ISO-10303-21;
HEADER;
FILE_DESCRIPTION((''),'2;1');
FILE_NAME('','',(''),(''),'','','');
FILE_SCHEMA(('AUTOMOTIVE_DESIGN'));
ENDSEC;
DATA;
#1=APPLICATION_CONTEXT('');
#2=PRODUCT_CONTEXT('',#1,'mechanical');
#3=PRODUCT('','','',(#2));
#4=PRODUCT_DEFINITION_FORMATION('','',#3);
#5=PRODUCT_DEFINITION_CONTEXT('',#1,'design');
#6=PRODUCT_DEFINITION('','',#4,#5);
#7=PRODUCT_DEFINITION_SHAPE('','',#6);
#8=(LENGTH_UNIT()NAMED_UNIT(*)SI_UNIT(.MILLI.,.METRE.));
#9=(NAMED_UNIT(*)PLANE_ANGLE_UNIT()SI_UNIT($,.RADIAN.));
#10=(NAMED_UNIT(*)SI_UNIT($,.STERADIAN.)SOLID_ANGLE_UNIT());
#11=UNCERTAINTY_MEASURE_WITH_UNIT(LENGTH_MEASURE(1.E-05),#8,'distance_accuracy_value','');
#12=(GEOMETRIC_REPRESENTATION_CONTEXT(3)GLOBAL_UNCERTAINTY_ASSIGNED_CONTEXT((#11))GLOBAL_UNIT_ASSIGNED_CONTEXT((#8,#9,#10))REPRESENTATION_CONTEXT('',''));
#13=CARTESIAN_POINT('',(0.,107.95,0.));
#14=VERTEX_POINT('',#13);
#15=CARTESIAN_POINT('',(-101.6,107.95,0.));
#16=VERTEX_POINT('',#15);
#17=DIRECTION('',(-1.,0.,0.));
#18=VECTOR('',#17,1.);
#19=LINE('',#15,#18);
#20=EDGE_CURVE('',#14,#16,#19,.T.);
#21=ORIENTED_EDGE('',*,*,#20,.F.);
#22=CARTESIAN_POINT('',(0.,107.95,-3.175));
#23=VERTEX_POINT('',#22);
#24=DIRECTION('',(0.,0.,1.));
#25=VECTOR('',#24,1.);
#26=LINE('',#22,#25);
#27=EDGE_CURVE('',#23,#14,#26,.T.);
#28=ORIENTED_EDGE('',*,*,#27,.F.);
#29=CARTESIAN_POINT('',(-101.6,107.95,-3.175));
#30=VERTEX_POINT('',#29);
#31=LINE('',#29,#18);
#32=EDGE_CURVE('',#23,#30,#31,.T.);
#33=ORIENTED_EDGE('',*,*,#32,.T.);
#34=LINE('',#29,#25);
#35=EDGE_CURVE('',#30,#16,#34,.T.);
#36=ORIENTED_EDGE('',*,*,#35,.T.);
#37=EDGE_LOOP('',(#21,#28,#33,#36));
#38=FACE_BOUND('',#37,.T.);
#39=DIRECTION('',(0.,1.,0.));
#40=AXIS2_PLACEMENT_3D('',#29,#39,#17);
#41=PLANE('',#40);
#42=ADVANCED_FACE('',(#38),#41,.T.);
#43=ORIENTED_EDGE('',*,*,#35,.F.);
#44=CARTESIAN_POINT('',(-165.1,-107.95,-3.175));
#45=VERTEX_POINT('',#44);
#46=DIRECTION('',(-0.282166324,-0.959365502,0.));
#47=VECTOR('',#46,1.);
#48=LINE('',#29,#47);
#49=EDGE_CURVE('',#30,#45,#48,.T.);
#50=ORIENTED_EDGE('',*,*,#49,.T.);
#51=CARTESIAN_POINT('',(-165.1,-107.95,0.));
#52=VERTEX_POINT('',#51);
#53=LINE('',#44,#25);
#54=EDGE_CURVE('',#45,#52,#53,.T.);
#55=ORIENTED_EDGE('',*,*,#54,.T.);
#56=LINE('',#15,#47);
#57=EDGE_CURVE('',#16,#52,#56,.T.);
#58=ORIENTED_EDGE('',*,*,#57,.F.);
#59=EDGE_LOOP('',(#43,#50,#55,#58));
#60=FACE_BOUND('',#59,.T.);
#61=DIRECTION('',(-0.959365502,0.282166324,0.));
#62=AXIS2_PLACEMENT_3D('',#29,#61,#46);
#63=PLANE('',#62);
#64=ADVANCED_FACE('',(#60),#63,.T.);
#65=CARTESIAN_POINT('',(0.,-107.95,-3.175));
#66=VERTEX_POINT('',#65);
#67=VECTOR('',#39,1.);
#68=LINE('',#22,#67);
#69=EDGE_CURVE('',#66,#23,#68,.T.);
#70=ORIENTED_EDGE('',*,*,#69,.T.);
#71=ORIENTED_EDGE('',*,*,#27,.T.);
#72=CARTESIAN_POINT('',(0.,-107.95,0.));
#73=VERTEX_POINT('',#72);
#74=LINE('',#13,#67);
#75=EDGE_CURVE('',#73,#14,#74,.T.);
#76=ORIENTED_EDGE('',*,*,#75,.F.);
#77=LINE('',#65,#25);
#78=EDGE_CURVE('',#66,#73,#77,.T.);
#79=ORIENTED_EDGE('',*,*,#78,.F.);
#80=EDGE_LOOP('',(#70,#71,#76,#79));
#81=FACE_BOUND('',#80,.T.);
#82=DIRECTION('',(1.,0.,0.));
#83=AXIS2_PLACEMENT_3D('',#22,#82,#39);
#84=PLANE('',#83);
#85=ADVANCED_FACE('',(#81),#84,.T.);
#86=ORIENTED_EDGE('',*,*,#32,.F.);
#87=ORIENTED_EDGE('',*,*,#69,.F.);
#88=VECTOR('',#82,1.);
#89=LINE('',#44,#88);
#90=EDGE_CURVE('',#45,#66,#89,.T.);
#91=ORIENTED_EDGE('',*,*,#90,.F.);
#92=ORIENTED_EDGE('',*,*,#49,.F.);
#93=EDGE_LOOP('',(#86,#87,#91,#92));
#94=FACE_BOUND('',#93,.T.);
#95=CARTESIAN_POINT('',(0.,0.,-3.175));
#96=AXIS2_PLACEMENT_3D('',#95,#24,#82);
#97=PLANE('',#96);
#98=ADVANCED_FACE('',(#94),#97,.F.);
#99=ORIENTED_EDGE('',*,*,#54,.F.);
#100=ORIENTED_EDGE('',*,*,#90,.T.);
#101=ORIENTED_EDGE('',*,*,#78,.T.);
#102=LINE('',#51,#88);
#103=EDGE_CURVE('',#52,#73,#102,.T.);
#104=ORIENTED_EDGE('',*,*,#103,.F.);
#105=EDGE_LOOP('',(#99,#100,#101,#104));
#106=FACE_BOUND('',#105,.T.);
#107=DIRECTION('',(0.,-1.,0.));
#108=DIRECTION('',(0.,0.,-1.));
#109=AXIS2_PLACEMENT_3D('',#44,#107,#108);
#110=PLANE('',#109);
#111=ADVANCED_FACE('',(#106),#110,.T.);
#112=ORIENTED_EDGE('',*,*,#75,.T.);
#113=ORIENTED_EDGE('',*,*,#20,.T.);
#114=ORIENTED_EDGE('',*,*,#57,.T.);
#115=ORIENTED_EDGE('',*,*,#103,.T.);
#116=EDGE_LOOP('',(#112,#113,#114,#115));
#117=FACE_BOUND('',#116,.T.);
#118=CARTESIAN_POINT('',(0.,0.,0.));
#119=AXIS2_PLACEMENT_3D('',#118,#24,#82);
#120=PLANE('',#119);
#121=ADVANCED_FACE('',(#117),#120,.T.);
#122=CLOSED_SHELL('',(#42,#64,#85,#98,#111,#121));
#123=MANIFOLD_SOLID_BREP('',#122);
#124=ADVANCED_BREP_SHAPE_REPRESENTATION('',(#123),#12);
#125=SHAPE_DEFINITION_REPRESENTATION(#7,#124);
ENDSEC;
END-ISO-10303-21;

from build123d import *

# Parameters (mm, degrees)
BOSS_EXTRUDE1_DEPTH = 3.175


with BuildPart() as part:
    # Sketch1 → Boss-Extrude1 (new body)
    with BuildSketch(Plane.XY):
        Polygon((-101.6, 107.95), (0, 107.95), (0, -107.95), (-165.1, -107.95), align=None)
    extrude(amount=-BOSS_EXTRUDE1_DEPTH)


solid = part.part
